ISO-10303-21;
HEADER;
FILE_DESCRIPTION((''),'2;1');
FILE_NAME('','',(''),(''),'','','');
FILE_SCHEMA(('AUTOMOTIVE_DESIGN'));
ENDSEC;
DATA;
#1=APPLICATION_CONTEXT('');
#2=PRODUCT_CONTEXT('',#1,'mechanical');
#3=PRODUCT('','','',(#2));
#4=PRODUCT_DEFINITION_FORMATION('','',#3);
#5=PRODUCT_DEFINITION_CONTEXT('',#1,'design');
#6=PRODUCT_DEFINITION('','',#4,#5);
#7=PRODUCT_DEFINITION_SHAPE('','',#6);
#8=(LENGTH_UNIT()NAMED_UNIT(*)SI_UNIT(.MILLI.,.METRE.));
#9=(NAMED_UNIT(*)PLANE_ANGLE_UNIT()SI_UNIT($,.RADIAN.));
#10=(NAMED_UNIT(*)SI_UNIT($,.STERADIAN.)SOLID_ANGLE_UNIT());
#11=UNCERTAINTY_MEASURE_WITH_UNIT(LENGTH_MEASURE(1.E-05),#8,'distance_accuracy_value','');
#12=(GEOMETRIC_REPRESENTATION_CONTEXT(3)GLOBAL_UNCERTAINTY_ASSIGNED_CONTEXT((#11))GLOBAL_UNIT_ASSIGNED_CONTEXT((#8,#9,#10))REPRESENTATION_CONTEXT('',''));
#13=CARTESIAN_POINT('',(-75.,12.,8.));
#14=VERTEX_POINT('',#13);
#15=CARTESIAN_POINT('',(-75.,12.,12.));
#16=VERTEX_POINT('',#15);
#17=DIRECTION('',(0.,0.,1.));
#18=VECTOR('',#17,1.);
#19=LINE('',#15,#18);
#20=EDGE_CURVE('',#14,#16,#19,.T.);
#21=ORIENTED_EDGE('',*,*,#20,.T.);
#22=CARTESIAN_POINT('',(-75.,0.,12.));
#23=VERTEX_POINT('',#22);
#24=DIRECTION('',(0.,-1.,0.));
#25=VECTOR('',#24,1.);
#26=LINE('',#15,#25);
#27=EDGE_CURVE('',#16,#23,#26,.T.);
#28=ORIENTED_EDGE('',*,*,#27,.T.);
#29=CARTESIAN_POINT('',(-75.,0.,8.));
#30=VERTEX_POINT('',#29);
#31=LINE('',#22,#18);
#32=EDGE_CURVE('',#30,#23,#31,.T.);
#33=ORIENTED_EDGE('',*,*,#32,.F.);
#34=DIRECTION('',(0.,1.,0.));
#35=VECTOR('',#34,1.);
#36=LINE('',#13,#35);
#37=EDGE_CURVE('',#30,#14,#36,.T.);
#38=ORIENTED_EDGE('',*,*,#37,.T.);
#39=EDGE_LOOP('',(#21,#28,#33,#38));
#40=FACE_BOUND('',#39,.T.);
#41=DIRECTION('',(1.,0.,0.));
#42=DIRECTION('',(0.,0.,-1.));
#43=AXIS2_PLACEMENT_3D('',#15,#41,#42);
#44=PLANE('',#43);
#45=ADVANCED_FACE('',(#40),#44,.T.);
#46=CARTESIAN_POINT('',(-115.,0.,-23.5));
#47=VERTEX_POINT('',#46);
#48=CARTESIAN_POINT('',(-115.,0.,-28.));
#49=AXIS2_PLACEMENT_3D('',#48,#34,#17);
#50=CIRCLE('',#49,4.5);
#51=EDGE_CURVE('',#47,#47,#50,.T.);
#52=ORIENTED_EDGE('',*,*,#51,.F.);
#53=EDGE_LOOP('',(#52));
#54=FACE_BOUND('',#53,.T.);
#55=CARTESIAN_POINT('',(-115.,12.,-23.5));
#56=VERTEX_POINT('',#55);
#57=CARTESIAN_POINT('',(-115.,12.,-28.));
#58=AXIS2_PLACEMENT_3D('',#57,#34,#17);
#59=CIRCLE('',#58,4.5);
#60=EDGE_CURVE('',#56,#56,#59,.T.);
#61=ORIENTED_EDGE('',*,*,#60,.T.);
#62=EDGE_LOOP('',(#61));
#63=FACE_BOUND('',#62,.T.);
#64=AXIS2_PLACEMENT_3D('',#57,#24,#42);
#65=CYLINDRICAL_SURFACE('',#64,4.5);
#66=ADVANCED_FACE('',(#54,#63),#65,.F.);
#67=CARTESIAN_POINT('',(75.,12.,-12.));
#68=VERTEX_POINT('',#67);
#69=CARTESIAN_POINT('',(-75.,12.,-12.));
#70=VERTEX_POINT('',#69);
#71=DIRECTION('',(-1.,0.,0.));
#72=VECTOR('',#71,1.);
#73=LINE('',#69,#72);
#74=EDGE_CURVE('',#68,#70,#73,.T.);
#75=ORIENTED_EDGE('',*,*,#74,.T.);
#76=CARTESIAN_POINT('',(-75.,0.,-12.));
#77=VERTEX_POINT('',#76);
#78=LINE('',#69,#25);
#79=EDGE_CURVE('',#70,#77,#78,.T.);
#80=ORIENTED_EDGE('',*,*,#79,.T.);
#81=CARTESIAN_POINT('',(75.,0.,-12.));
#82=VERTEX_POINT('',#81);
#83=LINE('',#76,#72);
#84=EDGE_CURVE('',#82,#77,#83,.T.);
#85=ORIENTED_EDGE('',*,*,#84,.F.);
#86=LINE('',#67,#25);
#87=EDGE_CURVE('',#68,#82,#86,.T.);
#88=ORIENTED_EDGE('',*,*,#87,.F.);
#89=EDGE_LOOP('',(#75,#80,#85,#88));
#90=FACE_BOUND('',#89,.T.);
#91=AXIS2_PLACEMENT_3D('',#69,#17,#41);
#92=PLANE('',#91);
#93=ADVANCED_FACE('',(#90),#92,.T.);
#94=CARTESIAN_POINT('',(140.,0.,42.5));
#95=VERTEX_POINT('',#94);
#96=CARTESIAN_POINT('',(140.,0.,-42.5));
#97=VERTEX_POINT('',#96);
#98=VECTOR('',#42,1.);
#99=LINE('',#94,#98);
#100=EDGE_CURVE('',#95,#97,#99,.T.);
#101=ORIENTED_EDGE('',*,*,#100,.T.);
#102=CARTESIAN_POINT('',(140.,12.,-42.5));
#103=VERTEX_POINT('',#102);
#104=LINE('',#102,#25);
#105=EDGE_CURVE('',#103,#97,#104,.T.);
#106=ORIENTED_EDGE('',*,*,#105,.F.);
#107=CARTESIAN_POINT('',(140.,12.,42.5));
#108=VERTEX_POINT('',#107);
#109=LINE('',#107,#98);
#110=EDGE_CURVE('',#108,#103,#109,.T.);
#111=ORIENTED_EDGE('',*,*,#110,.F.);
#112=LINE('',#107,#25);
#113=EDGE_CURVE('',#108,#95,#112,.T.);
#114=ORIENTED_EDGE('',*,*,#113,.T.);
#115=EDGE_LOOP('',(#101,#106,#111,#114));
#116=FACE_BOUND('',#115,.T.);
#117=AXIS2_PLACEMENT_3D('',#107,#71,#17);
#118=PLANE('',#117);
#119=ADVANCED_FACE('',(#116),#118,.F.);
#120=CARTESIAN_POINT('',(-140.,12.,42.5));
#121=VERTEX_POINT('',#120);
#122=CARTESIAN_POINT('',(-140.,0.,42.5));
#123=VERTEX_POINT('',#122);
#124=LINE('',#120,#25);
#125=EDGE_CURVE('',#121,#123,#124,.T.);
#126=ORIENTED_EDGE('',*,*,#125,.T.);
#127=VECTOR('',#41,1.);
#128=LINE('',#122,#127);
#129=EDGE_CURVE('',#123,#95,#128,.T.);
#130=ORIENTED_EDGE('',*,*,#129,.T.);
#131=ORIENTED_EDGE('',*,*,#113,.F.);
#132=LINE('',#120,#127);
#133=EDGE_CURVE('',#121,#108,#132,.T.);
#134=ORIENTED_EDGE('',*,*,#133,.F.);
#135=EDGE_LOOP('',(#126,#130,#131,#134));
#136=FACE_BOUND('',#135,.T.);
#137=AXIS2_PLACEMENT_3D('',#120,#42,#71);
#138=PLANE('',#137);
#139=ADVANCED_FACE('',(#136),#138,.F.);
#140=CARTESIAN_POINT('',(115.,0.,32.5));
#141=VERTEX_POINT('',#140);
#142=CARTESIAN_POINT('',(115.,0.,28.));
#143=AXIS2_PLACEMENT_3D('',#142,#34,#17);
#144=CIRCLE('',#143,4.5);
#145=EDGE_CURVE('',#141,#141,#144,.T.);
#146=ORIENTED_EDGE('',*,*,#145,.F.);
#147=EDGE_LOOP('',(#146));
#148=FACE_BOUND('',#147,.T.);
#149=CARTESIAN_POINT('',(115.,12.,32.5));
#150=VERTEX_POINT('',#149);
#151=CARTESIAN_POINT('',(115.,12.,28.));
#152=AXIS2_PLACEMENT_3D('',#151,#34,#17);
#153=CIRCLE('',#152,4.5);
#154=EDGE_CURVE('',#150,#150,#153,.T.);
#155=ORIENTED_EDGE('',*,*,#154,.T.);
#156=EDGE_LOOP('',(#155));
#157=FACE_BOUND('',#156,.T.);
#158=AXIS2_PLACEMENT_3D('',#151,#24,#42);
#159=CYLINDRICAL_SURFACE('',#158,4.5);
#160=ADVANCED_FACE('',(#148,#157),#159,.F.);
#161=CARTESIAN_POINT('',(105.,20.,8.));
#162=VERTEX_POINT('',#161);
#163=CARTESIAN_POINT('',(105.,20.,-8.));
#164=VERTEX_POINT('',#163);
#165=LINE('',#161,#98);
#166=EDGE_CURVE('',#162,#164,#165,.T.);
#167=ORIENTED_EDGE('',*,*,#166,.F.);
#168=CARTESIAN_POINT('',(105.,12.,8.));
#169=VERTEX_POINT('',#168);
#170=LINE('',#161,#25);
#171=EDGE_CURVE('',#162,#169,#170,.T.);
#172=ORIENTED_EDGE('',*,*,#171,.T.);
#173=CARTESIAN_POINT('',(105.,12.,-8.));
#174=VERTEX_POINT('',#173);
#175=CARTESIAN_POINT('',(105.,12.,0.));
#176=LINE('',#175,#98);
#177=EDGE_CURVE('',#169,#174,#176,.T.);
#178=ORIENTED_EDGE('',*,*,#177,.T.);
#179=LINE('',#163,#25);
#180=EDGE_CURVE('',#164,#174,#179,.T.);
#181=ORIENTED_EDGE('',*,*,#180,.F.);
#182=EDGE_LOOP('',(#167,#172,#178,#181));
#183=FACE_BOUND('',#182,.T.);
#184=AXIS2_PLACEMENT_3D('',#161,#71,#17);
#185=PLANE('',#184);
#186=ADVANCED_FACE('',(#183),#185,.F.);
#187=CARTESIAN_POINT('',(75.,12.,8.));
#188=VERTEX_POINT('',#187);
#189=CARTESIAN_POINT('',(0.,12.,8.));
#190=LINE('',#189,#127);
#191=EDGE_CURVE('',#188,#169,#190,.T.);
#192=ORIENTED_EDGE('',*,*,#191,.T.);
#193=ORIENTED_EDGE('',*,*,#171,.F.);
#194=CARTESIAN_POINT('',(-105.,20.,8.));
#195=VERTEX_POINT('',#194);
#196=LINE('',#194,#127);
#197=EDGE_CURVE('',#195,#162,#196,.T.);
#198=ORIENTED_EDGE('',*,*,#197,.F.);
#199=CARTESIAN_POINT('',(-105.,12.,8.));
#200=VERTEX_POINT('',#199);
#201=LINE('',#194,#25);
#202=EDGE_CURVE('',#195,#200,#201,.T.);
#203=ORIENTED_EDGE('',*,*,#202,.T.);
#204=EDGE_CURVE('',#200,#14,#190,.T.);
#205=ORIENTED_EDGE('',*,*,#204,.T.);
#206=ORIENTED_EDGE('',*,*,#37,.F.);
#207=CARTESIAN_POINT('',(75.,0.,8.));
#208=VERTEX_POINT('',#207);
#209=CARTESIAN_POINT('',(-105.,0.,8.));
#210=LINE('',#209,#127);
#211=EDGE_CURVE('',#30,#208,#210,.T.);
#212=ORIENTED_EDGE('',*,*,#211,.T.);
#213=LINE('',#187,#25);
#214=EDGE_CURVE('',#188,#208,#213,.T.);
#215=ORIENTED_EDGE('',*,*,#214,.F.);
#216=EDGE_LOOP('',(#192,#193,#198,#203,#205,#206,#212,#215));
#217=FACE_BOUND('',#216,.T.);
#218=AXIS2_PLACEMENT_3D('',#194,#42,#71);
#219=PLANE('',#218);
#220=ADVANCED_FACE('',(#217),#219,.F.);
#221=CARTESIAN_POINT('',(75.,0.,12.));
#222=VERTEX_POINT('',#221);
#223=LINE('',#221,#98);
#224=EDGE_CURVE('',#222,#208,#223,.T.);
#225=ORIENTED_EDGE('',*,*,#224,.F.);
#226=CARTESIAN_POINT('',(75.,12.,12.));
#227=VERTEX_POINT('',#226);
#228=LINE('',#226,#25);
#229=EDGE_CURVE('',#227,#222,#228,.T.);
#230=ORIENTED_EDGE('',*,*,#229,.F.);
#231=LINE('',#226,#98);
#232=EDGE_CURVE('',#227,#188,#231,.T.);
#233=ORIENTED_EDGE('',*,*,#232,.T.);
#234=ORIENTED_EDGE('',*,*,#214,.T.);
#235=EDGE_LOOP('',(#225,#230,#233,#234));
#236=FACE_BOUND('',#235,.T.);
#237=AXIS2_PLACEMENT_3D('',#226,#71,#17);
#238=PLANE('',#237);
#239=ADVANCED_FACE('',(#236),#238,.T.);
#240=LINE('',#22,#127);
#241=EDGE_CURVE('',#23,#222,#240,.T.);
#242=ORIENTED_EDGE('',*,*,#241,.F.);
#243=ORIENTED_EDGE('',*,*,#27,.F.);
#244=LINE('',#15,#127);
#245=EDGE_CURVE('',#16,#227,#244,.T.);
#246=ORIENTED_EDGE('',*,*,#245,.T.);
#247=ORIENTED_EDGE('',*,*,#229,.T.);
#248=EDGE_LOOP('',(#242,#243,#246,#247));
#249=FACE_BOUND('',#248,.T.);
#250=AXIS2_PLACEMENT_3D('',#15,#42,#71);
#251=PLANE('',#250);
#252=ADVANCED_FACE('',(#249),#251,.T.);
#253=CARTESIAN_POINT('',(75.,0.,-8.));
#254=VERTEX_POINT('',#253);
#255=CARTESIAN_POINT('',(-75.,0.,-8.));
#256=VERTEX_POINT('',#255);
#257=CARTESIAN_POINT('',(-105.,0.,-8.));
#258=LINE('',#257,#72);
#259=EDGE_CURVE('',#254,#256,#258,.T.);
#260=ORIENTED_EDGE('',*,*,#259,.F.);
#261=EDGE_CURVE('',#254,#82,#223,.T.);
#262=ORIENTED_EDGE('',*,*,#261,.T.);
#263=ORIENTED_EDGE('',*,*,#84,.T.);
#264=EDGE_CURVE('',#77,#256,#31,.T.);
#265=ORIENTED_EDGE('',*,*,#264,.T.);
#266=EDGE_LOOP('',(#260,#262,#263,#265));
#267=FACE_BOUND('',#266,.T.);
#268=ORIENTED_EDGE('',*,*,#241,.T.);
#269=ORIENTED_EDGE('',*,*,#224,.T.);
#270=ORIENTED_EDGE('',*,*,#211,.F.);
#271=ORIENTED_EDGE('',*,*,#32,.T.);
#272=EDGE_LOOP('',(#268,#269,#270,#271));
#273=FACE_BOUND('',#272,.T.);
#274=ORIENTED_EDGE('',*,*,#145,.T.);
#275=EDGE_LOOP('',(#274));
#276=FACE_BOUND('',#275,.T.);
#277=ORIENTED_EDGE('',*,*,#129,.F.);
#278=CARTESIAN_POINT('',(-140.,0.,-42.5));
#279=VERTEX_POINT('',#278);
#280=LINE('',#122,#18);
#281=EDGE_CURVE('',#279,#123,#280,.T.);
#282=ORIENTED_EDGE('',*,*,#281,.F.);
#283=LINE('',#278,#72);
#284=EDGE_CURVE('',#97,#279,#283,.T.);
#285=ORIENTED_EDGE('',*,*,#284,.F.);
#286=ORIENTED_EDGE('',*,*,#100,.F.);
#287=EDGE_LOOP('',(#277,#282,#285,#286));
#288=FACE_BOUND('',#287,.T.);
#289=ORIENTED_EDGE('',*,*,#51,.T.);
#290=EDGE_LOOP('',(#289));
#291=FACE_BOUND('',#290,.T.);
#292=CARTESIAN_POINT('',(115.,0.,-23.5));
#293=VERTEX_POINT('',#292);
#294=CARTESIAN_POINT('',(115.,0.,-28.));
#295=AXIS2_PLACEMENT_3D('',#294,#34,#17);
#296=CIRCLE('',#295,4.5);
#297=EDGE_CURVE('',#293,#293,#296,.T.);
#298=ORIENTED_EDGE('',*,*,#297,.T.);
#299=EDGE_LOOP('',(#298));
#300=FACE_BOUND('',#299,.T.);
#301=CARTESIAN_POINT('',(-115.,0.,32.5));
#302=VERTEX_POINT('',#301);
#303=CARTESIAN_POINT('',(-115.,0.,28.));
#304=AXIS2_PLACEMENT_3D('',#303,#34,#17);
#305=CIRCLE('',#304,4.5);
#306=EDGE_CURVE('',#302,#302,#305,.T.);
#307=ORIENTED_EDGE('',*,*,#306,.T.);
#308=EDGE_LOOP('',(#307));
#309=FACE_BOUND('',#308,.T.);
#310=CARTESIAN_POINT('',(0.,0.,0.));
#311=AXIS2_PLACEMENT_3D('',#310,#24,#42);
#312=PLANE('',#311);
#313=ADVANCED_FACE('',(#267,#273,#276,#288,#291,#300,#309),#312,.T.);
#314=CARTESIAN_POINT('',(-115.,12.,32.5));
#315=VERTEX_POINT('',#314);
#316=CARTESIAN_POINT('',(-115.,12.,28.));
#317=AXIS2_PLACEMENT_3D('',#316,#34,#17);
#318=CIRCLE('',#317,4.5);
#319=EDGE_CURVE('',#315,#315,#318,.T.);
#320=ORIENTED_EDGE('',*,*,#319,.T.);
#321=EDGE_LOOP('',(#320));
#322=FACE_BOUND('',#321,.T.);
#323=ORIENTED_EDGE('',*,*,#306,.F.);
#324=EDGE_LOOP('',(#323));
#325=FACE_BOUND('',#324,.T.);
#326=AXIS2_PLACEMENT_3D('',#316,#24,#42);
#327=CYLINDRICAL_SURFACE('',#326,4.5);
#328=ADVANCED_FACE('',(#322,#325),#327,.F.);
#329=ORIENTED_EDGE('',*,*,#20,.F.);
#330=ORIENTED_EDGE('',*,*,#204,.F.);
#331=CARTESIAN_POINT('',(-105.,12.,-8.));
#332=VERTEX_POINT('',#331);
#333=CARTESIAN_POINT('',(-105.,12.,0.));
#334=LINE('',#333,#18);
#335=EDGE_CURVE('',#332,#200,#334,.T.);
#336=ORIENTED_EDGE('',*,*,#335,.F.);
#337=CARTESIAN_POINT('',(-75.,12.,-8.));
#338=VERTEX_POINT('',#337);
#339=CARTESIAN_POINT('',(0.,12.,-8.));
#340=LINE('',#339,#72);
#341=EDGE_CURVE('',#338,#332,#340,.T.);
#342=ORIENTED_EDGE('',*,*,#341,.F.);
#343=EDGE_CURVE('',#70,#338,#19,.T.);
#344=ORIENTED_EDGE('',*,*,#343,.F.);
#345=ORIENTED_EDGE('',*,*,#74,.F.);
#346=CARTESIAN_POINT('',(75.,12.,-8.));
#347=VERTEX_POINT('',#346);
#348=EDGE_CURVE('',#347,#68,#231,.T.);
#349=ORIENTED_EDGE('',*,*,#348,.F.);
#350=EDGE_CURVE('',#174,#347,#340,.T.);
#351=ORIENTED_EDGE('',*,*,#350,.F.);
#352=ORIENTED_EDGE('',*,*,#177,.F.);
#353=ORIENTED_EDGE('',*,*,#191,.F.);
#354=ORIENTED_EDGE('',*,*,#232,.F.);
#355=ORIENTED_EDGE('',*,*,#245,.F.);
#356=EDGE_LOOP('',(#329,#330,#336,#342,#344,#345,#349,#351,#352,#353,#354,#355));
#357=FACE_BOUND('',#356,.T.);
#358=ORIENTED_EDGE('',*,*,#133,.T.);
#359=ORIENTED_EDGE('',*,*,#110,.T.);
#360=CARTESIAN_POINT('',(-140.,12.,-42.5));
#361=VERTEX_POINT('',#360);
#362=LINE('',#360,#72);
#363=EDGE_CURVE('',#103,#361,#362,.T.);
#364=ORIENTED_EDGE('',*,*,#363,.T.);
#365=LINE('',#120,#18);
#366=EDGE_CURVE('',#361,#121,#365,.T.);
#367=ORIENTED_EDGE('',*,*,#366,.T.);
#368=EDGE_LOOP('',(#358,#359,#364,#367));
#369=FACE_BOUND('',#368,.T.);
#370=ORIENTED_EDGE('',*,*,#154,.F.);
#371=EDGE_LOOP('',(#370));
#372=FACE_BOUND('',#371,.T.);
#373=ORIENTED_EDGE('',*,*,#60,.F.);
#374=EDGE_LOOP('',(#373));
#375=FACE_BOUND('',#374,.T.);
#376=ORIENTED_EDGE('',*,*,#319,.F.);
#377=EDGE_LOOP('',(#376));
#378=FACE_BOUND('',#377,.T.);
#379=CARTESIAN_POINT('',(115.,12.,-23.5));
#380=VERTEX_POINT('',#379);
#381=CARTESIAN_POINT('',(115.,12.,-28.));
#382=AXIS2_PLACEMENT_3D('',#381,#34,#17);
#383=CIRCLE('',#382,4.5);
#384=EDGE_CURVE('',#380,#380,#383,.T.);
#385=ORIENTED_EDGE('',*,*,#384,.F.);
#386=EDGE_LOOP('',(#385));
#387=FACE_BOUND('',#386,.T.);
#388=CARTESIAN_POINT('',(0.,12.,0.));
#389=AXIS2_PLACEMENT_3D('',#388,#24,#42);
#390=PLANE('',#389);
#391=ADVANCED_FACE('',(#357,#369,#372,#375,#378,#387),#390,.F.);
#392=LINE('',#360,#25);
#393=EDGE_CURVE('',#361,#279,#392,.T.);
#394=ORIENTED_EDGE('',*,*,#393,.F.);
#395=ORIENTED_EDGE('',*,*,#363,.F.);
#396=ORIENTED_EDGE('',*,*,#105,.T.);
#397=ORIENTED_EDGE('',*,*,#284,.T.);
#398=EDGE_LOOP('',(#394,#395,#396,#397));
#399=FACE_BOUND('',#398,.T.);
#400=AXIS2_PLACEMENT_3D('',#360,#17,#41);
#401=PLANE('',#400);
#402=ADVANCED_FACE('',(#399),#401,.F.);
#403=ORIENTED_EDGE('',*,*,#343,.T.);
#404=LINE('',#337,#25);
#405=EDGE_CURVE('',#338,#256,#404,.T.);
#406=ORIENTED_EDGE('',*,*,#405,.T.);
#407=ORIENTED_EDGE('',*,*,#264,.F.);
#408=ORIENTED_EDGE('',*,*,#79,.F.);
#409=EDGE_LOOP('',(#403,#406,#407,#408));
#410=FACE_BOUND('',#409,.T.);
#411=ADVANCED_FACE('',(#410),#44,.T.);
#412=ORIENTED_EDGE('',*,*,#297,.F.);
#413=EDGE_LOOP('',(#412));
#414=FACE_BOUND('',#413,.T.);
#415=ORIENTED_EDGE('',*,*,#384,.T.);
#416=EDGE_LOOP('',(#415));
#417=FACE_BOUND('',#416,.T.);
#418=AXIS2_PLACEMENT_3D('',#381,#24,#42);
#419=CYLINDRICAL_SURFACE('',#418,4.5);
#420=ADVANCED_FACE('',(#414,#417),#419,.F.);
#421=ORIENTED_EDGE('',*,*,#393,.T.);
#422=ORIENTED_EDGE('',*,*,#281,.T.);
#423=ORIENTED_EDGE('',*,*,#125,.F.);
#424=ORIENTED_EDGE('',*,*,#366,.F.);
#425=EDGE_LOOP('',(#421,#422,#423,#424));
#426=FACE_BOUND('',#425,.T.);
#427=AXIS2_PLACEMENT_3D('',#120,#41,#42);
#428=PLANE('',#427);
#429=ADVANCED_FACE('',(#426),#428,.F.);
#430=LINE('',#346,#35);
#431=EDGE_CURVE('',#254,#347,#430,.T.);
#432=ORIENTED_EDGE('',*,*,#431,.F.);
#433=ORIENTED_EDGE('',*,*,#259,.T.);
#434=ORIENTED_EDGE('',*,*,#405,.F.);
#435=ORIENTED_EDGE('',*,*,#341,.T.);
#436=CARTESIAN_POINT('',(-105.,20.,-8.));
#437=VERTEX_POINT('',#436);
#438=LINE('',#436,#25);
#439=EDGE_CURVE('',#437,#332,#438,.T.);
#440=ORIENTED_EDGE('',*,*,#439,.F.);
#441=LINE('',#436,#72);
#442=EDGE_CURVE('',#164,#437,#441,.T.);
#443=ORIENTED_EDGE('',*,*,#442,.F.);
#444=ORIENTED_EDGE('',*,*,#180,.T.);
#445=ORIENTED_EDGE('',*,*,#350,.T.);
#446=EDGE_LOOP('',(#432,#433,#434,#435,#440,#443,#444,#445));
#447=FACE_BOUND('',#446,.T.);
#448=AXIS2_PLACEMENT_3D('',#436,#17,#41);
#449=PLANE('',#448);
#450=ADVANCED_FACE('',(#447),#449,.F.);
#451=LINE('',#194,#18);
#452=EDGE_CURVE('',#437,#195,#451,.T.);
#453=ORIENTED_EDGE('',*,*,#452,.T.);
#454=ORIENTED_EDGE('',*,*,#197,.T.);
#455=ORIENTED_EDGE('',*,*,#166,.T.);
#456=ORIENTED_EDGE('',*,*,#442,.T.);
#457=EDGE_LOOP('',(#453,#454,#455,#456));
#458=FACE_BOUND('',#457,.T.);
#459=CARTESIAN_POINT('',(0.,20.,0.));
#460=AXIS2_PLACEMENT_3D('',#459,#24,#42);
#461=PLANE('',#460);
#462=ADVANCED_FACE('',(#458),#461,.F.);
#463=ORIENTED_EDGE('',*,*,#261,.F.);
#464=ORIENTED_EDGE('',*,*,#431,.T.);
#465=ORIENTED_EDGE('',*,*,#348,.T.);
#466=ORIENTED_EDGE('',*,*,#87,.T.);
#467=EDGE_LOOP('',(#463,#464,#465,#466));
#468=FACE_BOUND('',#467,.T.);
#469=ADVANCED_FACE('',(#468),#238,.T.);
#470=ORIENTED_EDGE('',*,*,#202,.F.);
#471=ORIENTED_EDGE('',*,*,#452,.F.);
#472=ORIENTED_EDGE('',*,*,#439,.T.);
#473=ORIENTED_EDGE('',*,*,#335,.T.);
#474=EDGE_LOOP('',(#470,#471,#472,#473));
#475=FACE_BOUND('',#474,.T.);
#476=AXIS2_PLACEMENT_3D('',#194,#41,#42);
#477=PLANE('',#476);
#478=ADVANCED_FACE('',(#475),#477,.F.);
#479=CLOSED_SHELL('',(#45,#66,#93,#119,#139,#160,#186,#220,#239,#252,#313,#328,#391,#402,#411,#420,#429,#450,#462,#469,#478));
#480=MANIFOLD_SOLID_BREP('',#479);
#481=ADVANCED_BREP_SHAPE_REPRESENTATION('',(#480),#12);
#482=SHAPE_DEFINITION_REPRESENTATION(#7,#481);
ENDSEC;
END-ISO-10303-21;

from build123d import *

# Parameters (mm, degrees)
F_01_BASE_PROFILE_W           = 280
F_01_BASE_PROFILE_H           = 85
F_01_BASE_PROFILE_R           = 4.5
F_01_BASE_PROFILE_W_2         = 150
F_01_BASE_PROFILE_H_2         = 24
F_01_BASE_EXTRUDE_DEPTH       = 12
F_02_BOSS_PROFILE_W           = 210
F_02_BOSS_PROFILE_H           = 16
F_02_REINFORCEMENT_BOSS_DEPTH = 20


with BuildPart() as part:
    # 01_Base_Profile → 01_Base_Extrude (new body)
    with BuildSketch(Plane(origin=(0, 0, 0), x_dir=(1, 0, 0), z_dir=(0, 1, 0))):
        Rectangle(F_01_BASE_PROFILE_W, F_01_BASE_PROFILE_H)
        with Locations(Location((-115, -28, 0), (0, 0, 270))):
            Circle(F_01_BASE_PROFILE_R, mode=Mode.SUBTRACT)
        with Locations(Location((115, -28, 0), (0, 0, 270))):
            Circle(F_01_BASE_PROFILE_R, mode=Mode.SUBTRACT)
        with Locations(Location((-115, 28, 0), (0, 0, 270))):
            Circle(F_01_BASE_PROFILE_R, mode=Mode.SUBTRACT)
        with Locations(Location((115, 28, 0), (0, 0, 270))):
            Circle(F_01_BASE_PROFILE_R, mode=Mode.SUBTRACT)
        Rectangle(F_01_BASE_PROFILE_W_2, F_01_BASE_PROFILE_H_2, mode=Mode.SUBTRACT)
    extrude(amount=F_01_BASE_EXTRUDE_DEPTH)

    # 02_Boss_Profile → 02_Reinforcement_Boss (add)
    with BuildSketch(Plane(origin=(0, 0, 0), x_dir=(1, 0, 0), z_dir=(0, 1, 0))):
        Rectangle(F_02_BOSS_PROFILE_W, F_02_BOSS_PROFILE_H)
    extrude(amount=F_02_REINFORCEMENT_BOSS_DEPTH)


solid = part.part
